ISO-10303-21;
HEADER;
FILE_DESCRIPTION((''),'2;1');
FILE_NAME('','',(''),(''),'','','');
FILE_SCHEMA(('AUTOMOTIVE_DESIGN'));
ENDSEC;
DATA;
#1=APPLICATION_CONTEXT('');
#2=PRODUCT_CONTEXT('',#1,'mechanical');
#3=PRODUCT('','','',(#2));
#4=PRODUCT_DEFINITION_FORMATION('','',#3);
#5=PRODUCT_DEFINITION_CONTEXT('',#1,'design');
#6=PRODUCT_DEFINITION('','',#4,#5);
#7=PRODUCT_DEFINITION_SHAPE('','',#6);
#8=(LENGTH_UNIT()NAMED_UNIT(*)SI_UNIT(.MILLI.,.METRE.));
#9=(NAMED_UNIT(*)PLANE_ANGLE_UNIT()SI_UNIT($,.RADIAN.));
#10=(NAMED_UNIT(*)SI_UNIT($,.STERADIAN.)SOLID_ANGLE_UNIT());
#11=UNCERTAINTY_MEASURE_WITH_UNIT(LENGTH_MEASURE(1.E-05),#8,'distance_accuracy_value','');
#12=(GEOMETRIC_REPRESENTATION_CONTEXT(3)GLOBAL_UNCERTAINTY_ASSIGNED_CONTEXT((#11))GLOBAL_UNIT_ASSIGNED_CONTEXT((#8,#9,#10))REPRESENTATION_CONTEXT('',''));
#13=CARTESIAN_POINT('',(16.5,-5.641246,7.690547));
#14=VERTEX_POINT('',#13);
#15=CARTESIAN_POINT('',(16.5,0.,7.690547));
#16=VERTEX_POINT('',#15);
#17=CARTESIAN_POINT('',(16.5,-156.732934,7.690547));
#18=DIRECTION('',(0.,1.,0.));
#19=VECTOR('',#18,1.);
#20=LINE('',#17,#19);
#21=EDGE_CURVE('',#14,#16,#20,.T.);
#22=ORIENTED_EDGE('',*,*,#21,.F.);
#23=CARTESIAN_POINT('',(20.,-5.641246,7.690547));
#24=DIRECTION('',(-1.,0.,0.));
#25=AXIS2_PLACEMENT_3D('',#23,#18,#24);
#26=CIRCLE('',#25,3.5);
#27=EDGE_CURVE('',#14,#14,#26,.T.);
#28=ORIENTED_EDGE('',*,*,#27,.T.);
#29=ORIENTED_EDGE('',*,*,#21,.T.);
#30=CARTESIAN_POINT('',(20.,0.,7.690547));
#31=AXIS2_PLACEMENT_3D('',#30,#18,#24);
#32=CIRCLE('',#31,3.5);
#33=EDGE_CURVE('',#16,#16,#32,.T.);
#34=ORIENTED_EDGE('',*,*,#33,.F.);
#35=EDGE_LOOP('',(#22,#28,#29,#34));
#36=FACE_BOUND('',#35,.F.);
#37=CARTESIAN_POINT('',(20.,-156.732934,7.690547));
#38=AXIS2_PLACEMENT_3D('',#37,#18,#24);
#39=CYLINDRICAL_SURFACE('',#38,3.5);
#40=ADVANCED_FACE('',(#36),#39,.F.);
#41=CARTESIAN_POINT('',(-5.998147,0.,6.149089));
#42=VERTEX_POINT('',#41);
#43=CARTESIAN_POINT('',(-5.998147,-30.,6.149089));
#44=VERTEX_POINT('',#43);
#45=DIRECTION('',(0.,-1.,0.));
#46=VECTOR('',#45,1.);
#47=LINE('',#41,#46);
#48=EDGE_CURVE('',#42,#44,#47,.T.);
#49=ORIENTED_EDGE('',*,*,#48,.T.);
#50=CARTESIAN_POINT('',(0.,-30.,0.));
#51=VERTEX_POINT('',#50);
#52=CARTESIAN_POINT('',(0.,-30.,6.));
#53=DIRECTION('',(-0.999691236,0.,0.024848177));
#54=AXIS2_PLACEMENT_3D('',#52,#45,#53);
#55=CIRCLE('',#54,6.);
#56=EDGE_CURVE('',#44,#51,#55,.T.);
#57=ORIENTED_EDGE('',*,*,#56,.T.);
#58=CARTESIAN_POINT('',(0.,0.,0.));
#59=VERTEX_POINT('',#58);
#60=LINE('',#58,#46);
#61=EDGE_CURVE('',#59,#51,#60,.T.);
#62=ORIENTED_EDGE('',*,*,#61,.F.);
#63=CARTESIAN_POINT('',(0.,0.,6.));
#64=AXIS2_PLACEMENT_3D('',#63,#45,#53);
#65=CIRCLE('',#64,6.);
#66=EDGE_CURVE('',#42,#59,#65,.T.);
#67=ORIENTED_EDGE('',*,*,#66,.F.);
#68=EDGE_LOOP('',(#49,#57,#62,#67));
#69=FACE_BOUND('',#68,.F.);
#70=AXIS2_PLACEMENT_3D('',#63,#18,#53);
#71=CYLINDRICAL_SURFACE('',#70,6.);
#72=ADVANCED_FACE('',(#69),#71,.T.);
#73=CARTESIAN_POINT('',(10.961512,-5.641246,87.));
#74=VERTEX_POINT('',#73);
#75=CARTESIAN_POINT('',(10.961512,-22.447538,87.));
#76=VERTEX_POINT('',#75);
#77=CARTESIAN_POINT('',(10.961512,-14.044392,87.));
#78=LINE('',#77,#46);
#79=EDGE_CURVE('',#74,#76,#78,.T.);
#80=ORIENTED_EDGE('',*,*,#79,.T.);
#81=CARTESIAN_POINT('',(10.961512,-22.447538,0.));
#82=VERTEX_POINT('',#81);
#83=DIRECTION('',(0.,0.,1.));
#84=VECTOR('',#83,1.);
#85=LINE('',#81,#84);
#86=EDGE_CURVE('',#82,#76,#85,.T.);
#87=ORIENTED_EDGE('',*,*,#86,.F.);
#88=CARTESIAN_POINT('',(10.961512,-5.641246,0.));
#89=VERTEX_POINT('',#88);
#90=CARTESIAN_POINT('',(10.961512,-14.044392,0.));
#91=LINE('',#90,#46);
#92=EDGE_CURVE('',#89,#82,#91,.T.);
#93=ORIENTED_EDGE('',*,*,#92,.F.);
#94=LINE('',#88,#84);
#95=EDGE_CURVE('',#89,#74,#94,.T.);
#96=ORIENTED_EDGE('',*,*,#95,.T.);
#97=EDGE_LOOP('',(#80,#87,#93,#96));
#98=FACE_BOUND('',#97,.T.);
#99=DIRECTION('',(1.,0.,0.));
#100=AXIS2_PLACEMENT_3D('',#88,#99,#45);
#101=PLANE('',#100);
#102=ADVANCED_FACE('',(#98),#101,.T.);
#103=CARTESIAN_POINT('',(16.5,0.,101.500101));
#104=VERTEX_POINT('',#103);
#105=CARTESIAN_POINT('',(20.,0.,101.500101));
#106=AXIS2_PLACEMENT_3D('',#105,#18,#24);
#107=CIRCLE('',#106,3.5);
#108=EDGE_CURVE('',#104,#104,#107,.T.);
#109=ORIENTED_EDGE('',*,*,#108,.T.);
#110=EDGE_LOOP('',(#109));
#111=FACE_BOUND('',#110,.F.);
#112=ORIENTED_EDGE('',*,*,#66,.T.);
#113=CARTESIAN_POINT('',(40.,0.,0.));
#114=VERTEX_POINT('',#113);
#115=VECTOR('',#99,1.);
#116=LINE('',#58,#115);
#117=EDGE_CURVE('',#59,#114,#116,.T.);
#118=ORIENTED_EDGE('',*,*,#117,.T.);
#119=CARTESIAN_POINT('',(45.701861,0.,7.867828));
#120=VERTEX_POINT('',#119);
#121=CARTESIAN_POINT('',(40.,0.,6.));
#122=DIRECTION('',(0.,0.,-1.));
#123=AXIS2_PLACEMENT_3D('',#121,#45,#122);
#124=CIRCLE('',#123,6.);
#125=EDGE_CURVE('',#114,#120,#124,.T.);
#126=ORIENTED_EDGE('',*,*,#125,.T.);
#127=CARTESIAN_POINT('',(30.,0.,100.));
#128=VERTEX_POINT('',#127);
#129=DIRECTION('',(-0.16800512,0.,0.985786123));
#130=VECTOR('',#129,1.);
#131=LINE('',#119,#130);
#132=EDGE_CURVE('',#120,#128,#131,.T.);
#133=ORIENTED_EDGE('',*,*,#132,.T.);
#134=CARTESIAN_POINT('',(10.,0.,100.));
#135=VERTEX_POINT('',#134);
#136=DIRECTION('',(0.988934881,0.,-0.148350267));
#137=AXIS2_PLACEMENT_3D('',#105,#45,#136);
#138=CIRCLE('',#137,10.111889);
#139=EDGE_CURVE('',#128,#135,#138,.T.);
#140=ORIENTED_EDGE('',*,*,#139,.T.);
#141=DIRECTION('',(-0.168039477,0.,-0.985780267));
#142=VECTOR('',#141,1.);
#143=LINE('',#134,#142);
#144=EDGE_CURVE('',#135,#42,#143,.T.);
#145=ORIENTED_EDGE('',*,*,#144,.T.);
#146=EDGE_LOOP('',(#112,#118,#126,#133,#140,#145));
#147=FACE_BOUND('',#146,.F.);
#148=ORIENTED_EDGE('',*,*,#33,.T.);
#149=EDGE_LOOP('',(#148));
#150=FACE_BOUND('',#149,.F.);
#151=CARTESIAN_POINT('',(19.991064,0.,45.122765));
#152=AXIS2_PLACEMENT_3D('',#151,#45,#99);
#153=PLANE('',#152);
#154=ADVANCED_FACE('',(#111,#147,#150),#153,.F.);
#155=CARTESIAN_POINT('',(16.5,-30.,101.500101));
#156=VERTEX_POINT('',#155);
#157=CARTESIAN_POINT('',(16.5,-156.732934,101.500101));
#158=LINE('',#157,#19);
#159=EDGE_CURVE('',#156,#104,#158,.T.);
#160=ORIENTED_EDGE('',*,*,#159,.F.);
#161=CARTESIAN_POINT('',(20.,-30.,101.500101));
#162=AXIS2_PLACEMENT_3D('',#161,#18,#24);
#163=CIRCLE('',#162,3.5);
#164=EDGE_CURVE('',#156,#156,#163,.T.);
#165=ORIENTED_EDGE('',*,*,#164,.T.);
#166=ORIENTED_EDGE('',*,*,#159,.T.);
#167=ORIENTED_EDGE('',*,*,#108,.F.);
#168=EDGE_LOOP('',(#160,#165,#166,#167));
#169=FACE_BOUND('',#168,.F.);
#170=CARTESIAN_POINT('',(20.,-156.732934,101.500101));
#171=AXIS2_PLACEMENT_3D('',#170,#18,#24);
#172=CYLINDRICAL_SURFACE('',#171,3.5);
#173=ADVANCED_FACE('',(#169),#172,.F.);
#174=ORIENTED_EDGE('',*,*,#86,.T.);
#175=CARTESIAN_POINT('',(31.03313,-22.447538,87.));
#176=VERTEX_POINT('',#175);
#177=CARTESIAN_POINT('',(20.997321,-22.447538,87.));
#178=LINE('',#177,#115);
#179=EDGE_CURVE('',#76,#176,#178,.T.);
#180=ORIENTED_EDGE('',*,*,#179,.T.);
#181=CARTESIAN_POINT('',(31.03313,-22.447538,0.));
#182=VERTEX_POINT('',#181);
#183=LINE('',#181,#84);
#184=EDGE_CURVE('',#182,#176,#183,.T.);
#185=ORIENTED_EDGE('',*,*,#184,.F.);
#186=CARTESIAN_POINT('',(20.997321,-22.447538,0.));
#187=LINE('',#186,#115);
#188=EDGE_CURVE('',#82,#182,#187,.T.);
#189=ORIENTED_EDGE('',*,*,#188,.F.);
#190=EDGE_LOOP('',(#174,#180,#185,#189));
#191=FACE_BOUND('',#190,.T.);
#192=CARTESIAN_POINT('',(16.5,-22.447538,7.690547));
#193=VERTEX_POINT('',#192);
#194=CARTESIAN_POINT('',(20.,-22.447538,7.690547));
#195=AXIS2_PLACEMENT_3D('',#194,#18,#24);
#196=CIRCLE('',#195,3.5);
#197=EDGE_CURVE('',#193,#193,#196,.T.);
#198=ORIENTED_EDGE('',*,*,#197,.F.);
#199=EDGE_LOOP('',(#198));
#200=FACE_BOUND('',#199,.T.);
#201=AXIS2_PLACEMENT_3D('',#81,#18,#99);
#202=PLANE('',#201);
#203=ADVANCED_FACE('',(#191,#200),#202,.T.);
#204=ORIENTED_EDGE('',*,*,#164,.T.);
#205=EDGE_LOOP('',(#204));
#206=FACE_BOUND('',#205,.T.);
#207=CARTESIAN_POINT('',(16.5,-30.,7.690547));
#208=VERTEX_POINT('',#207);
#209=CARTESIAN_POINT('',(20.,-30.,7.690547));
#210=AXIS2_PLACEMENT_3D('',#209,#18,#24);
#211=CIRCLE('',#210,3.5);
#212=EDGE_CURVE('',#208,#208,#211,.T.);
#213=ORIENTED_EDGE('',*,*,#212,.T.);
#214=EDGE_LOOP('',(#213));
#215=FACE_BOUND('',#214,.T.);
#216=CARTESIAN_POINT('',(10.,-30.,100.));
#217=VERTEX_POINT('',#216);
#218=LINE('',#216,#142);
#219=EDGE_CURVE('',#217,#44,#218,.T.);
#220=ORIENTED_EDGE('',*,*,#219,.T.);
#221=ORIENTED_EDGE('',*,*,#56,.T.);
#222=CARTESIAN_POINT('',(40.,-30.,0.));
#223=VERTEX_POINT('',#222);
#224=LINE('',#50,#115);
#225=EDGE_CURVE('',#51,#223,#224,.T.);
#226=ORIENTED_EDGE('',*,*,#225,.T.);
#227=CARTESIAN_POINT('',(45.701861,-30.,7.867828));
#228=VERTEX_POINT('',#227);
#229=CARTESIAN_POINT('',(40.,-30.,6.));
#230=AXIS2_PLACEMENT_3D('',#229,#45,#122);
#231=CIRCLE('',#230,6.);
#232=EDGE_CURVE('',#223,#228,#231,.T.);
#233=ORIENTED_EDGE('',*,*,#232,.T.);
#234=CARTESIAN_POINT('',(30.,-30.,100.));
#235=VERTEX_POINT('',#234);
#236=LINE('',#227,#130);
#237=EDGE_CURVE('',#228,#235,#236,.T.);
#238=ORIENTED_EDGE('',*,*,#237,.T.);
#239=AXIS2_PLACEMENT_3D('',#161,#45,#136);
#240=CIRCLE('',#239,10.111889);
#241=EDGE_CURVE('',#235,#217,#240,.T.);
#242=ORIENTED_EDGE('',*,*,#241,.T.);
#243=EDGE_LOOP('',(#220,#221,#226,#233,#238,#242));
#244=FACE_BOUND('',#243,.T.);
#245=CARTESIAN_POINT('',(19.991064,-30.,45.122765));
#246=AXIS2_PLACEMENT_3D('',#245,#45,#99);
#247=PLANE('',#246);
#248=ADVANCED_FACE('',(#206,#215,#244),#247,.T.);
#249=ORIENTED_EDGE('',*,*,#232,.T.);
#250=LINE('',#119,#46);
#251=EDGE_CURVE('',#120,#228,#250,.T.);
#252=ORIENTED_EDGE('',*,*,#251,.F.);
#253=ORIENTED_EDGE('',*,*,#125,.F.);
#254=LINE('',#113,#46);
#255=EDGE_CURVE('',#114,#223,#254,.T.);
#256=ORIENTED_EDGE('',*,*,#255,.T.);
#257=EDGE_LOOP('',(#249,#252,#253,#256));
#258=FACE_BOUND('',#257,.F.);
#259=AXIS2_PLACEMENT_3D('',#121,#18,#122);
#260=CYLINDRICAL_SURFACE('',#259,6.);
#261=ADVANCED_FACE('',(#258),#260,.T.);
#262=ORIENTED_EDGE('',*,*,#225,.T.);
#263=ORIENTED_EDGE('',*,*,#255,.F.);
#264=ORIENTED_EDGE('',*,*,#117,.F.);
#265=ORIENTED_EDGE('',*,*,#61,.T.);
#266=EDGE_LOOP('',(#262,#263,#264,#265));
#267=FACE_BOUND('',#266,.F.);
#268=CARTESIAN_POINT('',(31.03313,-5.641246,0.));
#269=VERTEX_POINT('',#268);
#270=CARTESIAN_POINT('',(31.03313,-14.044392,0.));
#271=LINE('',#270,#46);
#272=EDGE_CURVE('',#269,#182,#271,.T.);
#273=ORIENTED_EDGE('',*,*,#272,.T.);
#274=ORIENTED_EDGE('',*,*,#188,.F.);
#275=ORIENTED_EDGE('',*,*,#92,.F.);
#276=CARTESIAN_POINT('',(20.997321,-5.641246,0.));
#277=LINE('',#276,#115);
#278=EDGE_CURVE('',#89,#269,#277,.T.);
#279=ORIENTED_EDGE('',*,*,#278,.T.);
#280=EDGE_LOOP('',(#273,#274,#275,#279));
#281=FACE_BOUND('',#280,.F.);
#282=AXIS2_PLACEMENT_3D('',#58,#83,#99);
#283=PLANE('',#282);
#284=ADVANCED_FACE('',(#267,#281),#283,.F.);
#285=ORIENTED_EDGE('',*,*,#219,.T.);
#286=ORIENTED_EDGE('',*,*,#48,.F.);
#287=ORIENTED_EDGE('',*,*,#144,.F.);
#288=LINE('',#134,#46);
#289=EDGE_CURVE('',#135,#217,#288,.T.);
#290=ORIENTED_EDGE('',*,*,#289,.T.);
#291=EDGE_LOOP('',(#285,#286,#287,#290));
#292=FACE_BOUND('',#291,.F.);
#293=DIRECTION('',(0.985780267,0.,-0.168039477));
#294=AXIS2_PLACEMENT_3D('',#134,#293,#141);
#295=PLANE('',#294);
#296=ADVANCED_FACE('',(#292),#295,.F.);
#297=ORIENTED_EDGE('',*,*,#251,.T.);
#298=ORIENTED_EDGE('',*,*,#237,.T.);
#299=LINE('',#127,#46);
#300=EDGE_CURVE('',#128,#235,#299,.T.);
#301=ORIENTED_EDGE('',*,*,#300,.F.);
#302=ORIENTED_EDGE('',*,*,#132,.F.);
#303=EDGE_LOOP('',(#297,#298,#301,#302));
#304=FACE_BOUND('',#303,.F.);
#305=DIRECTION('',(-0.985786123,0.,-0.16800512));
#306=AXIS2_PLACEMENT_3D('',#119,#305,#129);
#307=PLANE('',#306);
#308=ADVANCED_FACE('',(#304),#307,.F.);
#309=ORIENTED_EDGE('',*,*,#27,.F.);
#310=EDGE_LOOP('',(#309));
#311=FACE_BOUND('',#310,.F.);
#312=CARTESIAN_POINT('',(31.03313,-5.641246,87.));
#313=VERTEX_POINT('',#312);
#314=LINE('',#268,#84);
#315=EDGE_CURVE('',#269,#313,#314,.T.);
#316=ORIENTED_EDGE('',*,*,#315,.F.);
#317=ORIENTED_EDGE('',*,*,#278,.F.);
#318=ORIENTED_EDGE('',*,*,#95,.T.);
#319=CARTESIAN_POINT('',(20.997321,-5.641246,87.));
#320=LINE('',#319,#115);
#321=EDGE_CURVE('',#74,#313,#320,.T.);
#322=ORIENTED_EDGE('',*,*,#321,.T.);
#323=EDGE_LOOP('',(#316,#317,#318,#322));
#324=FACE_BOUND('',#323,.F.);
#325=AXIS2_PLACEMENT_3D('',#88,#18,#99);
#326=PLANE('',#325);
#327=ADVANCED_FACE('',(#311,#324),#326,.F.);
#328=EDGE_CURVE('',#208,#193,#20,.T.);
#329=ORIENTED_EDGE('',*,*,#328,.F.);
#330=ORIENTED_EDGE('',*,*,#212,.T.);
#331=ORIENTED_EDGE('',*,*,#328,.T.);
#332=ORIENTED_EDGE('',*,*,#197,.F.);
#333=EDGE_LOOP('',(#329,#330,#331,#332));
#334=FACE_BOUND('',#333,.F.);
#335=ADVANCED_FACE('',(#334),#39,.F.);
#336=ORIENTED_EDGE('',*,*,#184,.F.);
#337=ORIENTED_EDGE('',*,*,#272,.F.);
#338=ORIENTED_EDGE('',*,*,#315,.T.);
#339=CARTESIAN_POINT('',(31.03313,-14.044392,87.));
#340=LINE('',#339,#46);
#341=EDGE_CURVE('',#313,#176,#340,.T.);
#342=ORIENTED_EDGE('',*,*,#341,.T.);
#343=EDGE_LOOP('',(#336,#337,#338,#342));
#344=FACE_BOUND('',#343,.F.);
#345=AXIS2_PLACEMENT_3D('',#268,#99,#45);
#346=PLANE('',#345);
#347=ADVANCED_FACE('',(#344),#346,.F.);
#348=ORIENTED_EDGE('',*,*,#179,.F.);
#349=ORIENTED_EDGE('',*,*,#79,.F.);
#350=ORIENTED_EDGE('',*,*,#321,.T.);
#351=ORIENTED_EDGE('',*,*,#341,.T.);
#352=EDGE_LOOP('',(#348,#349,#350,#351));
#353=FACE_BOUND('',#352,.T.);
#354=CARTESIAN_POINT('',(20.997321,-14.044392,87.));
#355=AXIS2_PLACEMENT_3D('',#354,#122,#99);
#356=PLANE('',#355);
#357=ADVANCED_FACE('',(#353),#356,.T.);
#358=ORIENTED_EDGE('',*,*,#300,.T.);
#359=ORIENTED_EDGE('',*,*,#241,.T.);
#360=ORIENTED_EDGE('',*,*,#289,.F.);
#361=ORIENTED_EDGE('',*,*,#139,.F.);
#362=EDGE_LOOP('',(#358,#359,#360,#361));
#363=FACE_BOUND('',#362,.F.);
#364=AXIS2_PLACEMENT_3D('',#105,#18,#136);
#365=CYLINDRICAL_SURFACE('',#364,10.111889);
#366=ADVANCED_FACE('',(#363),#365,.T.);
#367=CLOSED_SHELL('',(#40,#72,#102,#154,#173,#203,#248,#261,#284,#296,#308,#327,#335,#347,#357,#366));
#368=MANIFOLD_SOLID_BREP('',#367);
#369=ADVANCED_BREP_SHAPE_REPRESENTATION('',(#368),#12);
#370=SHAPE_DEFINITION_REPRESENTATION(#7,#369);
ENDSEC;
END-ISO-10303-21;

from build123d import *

# Parameters (mm, degrees)
F1_DEPTH = 30
F3_D     = 7
F5_D     = 7
F6_W     = 20.071618259
F6_H     = 16.8062914163
F7_DEPTH = 87


with BuildPart() as f1:
    # F0 (on Front) → F1 (new body)
    with BuildSketch(Plane.XZ):
        with BuildLine():
            ThreePointArc((-5.9981474183, 6.1490890598), (-4.2950281931, 1.8104018307), (0, 0))
            Line((0, 0), (40, 0))
            ThreePointArc((40, 0), (44.8583417204, 2.4791313959), (45.7018609438, 7.8678280909))
            Line((45.7018609438, 7.8678280909), (30, 100))
            Line((30, 100), (20, 100))
            Line((20, 100), (10, 100))
            Line((10, 100), (-5.9981474183, 6.1490890598))
        make_face()
        with BuildLine():
            ThreePointArc((30, 100), (20, 111.6119907276), (10, 100))
            Line((10, 100), (20, 100))
            Line((20, 100), (30, 100))
        make_face()
    extrude(amount=F1_DEPTH)

    # F3 (through all)
    with Locations(Plane.XZ.offset(30)):
        with Locations((20, 7.6905470341)):
            Hole(F3_D / 2)

    # F5 (through all)
    with Locations(Plane.XZ.offset(30)):
        with Locations((20, 101.5001014674)):
            Hole(F5_D / 2)

    # F6 (on face) → F7 (cut)
    with BuildSketch(Plane(origin=(0, 0, 0), x_dir=(1, 0, 0), z_dir=(0, 0, -1))):
        with Locations((20.9973212332, 14.0443919227)):
            Rectangle(F6_W, F6_H)
    extrude(amount=-F7_DEPTH, mode=Mode.SUBTRACT)


solid = f1.part
